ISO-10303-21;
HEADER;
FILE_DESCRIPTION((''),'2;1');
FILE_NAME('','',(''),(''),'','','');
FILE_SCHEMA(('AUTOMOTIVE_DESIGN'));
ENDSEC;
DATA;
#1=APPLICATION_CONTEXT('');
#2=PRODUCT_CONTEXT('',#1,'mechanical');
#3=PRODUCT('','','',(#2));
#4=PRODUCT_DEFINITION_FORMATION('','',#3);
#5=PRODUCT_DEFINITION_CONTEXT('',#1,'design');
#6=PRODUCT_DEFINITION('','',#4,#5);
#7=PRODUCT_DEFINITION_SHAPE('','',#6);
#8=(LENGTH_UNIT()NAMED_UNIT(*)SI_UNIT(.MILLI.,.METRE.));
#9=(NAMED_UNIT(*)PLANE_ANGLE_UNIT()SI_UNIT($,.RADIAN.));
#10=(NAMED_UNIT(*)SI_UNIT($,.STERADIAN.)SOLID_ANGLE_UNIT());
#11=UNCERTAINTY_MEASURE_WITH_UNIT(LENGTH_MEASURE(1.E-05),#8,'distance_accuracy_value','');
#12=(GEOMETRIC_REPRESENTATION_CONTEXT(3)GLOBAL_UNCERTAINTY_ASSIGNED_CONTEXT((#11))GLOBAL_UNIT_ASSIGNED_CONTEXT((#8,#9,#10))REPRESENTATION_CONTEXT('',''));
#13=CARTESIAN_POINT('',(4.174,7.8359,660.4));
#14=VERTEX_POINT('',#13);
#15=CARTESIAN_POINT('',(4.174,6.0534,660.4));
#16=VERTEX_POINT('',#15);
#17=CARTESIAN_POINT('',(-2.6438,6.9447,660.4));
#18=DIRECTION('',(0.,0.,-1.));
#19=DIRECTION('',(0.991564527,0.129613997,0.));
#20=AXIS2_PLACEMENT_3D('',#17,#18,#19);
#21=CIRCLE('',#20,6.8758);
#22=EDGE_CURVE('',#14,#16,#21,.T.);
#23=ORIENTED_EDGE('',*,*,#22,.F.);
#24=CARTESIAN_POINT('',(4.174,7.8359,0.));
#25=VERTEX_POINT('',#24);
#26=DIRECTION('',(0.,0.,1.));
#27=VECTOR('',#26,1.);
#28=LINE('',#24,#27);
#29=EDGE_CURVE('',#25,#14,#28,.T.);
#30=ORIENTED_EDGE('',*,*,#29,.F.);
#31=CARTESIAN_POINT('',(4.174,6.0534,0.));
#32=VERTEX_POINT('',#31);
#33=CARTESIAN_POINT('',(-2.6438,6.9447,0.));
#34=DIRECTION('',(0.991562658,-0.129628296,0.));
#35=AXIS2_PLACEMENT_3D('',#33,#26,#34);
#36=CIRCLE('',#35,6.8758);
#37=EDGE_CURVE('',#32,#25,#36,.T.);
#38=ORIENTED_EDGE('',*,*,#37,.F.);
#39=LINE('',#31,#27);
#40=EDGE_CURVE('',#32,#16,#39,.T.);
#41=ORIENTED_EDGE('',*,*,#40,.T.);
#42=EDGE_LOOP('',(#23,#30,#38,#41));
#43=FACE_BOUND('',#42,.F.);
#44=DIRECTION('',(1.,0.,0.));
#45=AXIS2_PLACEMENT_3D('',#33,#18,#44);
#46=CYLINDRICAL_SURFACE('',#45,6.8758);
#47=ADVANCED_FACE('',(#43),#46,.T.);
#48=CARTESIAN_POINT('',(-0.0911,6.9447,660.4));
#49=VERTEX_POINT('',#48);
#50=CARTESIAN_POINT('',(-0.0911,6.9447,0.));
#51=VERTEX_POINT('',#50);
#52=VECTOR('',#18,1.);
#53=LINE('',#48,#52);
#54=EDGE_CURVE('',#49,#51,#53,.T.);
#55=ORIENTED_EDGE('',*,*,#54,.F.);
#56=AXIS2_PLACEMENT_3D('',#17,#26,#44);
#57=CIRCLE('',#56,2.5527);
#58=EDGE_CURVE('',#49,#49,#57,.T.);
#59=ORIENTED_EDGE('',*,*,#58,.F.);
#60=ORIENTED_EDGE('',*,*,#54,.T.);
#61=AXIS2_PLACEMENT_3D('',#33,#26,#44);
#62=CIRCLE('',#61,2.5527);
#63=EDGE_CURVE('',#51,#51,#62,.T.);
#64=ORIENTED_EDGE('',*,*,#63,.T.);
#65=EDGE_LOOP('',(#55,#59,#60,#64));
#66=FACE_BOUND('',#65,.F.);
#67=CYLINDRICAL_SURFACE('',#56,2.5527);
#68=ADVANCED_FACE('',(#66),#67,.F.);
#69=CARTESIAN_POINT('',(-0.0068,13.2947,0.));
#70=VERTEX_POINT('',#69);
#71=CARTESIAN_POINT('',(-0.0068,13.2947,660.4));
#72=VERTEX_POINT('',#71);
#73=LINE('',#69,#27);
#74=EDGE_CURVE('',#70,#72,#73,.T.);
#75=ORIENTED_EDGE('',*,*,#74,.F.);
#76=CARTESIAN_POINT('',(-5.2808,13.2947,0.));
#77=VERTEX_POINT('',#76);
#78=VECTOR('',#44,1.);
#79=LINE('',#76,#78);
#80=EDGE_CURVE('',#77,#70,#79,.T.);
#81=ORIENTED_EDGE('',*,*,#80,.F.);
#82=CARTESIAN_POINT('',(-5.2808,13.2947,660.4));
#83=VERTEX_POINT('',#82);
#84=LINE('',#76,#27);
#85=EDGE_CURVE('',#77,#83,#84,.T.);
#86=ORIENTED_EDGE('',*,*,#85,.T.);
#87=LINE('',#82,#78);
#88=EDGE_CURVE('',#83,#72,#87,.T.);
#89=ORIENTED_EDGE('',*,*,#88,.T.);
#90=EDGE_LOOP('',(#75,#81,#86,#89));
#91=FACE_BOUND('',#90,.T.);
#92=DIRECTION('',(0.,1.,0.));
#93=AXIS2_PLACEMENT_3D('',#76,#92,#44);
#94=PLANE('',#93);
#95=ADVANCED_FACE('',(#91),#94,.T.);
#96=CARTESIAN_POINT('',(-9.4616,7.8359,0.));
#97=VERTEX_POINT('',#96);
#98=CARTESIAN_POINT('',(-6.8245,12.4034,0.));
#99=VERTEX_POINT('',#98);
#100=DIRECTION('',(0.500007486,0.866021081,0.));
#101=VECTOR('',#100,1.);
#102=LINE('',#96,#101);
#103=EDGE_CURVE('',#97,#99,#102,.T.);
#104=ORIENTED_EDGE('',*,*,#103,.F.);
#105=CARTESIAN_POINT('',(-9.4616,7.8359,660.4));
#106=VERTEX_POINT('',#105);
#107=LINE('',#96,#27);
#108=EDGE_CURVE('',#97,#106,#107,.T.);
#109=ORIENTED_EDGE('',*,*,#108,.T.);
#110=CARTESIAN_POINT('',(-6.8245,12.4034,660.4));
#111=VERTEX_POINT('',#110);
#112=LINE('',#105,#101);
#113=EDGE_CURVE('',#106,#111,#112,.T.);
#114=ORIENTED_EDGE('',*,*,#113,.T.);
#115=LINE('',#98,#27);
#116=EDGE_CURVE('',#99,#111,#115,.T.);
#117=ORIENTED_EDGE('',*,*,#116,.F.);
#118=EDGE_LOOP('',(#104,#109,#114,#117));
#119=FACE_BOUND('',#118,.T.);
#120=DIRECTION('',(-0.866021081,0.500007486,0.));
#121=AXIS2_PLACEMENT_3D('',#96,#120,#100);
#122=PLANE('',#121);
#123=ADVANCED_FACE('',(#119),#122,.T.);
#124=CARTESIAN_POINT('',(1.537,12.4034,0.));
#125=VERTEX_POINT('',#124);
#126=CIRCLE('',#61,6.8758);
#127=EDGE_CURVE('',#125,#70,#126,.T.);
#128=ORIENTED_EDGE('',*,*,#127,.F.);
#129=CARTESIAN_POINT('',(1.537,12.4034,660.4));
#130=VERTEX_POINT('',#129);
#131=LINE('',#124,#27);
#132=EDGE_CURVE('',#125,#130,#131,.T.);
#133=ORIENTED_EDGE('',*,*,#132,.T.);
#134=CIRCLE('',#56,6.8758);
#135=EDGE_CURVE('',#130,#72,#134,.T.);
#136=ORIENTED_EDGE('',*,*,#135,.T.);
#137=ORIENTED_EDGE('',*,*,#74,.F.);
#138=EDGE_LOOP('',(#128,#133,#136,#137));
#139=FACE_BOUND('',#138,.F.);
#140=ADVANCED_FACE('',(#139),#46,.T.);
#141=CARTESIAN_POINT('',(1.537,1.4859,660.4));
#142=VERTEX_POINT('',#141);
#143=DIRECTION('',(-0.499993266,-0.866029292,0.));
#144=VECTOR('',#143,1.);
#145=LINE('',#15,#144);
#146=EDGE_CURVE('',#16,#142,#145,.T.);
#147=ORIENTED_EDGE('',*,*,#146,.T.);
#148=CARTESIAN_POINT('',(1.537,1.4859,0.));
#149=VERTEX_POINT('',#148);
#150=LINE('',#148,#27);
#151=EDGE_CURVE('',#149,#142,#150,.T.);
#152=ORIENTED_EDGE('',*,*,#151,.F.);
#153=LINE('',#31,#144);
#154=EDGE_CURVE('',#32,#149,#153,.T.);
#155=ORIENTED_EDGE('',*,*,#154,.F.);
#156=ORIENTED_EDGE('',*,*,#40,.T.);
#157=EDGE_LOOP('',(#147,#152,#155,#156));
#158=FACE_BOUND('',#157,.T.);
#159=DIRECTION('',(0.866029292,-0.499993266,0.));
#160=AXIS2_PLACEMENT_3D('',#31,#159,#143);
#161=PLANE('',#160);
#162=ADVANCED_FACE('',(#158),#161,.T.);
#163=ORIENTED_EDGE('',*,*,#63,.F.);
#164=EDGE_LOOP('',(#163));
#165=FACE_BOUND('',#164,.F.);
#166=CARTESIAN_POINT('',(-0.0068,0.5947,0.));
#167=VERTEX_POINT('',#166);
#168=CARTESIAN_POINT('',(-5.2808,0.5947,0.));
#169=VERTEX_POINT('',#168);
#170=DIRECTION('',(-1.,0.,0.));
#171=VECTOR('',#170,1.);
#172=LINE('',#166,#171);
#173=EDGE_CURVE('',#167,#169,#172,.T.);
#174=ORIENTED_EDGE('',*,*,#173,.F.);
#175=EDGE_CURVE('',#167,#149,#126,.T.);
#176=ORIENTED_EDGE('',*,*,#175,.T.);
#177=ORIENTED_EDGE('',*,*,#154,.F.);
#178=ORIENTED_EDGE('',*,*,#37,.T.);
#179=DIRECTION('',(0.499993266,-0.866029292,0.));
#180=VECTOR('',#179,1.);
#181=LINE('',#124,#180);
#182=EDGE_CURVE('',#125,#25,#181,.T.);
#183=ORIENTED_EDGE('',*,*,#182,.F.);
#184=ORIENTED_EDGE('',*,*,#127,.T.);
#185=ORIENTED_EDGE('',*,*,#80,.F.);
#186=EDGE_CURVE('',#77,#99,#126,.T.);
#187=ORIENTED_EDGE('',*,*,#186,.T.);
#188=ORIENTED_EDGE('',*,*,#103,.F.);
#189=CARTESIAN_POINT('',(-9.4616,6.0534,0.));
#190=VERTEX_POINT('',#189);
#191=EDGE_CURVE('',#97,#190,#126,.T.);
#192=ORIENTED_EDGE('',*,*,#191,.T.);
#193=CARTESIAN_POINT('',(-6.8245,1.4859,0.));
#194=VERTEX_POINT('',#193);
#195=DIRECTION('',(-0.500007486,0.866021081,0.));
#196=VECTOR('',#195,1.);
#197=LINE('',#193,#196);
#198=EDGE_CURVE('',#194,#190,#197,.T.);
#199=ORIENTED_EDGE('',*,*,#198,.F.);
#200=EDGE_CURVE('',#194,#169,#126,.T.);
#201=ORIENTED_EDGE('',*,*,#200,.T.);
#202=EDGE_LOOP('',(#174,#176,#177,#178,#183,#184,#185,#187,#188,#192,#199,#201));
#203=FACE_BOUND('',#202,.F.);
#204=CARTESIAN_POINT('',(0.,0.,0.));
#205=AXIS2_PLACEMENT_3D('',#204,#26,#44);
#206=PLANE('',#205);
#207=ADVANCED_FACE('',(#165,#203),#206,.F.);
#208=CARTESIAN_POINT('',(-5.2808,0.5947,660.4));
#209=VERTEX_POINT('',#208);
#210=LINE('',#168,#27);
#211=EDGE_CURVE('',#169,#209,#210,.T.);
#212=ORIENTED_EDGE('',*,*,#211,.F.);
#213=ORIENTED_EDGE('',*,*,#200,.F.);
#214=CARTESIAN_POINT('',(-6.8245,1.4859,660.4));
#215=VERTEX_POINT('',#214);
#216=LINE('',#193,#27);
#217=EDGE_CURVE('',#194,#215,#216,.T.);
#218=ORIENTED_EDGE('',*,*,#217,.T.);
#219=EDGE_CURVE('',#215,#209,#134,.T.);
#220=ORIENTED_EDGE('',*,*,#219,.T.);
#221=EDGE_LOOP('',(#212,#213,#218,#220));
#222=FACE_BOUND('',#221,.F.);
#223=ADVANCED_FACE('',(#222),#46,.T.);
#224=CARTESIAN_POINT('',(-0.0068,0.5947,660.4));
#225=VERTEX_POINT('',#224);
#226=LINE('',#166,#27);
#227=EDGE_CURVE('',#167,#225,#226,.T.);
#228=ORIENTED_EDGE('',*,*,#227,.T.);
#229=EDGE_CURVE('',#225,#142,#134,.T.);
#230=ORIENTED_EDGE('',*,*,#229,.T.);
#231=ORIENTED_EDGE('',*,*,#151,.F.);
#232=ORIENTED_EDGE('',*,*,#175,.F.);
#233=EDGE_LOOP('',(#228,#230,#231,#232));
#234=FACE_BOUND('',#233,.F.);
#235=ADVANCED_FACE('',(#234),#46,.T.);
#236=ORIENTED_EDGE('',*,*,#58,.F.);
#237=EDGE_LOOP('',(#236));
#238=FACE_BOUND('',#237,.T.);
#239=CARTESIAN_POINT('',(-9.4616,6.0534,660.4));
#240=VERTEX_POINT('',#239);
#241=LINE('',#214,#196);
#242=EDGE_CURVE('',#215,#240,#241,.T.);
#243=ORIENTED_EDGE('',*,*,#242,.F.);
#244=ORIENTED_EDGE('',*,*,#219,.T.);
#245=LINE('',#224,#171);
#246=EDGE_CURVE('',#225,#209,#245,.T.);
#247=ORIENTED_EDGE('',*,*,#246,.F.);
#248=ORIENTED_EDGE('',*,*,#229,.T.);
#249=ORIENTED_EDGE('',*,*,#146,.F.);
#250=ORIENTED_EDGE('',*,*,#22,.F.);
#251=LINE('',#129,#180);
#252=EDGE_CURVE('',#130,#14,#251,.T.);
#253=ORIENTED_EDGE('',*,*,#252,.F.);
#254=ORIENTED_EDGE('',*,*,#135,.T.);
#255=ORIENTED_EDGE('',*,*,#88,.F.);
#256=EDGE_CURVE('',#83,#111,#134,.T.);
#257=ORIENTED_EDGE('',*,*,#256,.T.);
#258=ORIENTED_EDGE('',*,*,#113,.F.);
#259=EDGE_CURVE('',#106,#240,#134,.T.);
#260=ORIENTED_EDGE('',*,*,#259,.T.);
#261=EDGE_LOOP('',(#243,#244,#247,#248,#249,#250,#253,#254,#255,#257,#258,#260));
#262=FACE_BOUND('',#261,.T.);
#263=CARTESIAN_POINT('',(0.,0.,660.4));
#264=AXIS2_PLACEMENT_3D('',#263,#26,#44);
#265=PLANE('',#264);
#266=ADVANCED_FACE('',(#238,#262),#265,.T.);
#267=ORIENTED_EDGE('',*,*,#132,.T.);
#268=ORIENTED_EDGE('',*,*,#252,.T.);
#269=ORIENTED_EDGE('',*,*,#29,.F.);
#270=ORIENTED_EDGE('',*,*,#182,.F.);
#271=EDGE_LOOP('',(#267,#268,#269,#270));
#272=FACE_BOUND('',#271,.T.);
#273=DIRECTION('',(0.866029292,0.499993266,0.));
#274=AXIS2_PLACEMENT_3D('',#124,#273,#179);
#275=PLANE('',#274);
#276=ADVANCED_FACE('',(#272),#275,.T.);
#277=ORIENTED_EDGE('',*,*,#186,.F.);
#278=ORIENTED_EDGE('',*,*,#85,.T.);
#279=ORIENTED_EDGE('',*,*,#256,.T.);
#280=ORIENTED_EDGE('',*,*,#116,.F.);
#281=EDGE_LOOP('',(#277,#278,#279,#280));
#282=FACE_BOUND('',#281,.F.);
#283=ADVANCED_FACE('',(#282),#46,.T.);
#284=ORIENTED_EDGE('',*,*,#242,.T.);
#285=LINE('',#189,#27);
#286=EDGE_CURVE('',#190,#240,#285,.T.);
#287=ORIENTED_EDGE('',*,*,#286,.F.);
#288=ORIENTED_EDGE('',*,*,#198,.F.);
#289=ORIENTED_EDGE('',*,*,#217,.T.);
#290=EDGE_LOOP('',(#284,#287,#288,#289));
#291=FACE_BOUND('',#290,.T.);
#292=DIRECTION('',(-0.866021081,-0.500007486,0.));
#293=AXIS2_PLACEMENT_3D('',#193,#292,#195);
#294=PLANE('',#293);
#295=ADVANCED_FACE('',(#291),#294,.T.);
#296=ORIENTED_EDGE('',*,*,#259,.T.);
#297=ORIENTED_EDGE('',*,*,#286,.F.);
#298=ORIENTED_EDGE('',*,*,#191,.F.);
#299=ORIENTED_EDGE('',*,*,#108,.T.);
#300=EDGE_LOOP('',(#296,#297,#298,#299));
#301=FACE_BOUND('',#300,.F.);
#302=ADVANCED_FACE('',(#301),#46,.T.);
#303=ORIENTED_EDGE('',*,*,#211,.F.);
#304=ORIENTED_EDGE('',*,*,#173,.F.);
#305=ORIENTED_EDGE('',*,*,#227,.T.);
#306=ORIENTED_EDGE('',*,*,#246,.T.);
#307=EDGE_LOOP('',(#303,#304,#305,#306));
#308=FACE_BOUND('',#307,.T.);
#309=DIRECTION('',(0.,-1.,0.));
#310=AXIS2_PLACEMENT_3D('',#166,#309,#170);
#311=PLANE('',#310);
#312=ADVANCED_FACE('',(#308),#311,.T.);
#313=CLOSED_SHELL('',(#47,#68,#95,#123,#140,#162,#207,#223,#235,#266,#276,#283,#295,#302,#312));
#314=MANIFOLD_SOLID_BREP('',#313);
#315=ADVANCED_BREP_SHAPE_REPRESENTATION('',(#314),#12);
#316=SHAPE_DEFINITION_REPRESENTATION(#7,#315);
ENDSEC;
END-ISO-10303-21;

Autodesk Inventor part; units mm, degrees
ref_plane "YZ Plane" through (0, 0, 0) normal (1, 0, 0) x (0, 1, 0)
ref_plane "XZ Plane" through (0, 0, 0) normal (0, 1, 0) x (-1, 0, 0)
ref_plane "XY Plane" through (0, 0, 0) normal (0, 0, 1) x (1, 0, 0)
sketch "Sketch1" plane through (0, 0, 0) normal (0, 0, 1) x (1, 0, 0)
  circle A0 centre (-2.6438, 6.9447) radius 6.8758
  line L0 (-9.4616, 7.8359) -> (-6.8245, 12.4034)
  line L1 (-6.8245, 1.4859) -> (-9.4616, 6.0534)
  line L2 (-0.0068, 0.5947) -> (-5.2808, 0.5947)
  line L3 (4.174, 6.0534) -> (1.537, 1.4859)
  line L4 (1.537, 12.4034) -> (4.174, 7.8359)
  line L5 (-5.2808, 13.2947) -> (-0.0068, 13.2947)
  point P0 (0, 0)
  point P1 (1.537, 1.4859)
  dimension "d0" = 13.7516
  dimension "d4" = 360
extrude "Extrusion1" add sketch "Sketch1" along normal blind 660.4 contours A0 L3 L2 L1 L0 L5 L4
sketch "Sketch2" plane through (0, 0, 660.4) normal (0, 0, 1) x (1, 0, 0)
  circle A0 centre (-2.6438, 6.9447) radius 2.5527
  line L0 (-5.2808, 0.5947) -> (-0.0068, 0.5947) projected
  line L1 (-2.6438, 6.9447) -> (-5.2808, 0.5947) construction
  line L2 (-2.6438, 6.9447) -> (-0.0068, 0.5947) construction
  point P0 (0, 0)
  dimension "d8" = 5.1054
  dimension "d9" = 6.35
extrude "Extrusion2" cut sketch "Sketch2" against normal blind 660.4
equation "\"d6\" = d5"
equation "\"d10\" = d5"
equation "\"d5\" = 660.4"
properties part number "26in Thundershaft" material "Aluminum 6061"
